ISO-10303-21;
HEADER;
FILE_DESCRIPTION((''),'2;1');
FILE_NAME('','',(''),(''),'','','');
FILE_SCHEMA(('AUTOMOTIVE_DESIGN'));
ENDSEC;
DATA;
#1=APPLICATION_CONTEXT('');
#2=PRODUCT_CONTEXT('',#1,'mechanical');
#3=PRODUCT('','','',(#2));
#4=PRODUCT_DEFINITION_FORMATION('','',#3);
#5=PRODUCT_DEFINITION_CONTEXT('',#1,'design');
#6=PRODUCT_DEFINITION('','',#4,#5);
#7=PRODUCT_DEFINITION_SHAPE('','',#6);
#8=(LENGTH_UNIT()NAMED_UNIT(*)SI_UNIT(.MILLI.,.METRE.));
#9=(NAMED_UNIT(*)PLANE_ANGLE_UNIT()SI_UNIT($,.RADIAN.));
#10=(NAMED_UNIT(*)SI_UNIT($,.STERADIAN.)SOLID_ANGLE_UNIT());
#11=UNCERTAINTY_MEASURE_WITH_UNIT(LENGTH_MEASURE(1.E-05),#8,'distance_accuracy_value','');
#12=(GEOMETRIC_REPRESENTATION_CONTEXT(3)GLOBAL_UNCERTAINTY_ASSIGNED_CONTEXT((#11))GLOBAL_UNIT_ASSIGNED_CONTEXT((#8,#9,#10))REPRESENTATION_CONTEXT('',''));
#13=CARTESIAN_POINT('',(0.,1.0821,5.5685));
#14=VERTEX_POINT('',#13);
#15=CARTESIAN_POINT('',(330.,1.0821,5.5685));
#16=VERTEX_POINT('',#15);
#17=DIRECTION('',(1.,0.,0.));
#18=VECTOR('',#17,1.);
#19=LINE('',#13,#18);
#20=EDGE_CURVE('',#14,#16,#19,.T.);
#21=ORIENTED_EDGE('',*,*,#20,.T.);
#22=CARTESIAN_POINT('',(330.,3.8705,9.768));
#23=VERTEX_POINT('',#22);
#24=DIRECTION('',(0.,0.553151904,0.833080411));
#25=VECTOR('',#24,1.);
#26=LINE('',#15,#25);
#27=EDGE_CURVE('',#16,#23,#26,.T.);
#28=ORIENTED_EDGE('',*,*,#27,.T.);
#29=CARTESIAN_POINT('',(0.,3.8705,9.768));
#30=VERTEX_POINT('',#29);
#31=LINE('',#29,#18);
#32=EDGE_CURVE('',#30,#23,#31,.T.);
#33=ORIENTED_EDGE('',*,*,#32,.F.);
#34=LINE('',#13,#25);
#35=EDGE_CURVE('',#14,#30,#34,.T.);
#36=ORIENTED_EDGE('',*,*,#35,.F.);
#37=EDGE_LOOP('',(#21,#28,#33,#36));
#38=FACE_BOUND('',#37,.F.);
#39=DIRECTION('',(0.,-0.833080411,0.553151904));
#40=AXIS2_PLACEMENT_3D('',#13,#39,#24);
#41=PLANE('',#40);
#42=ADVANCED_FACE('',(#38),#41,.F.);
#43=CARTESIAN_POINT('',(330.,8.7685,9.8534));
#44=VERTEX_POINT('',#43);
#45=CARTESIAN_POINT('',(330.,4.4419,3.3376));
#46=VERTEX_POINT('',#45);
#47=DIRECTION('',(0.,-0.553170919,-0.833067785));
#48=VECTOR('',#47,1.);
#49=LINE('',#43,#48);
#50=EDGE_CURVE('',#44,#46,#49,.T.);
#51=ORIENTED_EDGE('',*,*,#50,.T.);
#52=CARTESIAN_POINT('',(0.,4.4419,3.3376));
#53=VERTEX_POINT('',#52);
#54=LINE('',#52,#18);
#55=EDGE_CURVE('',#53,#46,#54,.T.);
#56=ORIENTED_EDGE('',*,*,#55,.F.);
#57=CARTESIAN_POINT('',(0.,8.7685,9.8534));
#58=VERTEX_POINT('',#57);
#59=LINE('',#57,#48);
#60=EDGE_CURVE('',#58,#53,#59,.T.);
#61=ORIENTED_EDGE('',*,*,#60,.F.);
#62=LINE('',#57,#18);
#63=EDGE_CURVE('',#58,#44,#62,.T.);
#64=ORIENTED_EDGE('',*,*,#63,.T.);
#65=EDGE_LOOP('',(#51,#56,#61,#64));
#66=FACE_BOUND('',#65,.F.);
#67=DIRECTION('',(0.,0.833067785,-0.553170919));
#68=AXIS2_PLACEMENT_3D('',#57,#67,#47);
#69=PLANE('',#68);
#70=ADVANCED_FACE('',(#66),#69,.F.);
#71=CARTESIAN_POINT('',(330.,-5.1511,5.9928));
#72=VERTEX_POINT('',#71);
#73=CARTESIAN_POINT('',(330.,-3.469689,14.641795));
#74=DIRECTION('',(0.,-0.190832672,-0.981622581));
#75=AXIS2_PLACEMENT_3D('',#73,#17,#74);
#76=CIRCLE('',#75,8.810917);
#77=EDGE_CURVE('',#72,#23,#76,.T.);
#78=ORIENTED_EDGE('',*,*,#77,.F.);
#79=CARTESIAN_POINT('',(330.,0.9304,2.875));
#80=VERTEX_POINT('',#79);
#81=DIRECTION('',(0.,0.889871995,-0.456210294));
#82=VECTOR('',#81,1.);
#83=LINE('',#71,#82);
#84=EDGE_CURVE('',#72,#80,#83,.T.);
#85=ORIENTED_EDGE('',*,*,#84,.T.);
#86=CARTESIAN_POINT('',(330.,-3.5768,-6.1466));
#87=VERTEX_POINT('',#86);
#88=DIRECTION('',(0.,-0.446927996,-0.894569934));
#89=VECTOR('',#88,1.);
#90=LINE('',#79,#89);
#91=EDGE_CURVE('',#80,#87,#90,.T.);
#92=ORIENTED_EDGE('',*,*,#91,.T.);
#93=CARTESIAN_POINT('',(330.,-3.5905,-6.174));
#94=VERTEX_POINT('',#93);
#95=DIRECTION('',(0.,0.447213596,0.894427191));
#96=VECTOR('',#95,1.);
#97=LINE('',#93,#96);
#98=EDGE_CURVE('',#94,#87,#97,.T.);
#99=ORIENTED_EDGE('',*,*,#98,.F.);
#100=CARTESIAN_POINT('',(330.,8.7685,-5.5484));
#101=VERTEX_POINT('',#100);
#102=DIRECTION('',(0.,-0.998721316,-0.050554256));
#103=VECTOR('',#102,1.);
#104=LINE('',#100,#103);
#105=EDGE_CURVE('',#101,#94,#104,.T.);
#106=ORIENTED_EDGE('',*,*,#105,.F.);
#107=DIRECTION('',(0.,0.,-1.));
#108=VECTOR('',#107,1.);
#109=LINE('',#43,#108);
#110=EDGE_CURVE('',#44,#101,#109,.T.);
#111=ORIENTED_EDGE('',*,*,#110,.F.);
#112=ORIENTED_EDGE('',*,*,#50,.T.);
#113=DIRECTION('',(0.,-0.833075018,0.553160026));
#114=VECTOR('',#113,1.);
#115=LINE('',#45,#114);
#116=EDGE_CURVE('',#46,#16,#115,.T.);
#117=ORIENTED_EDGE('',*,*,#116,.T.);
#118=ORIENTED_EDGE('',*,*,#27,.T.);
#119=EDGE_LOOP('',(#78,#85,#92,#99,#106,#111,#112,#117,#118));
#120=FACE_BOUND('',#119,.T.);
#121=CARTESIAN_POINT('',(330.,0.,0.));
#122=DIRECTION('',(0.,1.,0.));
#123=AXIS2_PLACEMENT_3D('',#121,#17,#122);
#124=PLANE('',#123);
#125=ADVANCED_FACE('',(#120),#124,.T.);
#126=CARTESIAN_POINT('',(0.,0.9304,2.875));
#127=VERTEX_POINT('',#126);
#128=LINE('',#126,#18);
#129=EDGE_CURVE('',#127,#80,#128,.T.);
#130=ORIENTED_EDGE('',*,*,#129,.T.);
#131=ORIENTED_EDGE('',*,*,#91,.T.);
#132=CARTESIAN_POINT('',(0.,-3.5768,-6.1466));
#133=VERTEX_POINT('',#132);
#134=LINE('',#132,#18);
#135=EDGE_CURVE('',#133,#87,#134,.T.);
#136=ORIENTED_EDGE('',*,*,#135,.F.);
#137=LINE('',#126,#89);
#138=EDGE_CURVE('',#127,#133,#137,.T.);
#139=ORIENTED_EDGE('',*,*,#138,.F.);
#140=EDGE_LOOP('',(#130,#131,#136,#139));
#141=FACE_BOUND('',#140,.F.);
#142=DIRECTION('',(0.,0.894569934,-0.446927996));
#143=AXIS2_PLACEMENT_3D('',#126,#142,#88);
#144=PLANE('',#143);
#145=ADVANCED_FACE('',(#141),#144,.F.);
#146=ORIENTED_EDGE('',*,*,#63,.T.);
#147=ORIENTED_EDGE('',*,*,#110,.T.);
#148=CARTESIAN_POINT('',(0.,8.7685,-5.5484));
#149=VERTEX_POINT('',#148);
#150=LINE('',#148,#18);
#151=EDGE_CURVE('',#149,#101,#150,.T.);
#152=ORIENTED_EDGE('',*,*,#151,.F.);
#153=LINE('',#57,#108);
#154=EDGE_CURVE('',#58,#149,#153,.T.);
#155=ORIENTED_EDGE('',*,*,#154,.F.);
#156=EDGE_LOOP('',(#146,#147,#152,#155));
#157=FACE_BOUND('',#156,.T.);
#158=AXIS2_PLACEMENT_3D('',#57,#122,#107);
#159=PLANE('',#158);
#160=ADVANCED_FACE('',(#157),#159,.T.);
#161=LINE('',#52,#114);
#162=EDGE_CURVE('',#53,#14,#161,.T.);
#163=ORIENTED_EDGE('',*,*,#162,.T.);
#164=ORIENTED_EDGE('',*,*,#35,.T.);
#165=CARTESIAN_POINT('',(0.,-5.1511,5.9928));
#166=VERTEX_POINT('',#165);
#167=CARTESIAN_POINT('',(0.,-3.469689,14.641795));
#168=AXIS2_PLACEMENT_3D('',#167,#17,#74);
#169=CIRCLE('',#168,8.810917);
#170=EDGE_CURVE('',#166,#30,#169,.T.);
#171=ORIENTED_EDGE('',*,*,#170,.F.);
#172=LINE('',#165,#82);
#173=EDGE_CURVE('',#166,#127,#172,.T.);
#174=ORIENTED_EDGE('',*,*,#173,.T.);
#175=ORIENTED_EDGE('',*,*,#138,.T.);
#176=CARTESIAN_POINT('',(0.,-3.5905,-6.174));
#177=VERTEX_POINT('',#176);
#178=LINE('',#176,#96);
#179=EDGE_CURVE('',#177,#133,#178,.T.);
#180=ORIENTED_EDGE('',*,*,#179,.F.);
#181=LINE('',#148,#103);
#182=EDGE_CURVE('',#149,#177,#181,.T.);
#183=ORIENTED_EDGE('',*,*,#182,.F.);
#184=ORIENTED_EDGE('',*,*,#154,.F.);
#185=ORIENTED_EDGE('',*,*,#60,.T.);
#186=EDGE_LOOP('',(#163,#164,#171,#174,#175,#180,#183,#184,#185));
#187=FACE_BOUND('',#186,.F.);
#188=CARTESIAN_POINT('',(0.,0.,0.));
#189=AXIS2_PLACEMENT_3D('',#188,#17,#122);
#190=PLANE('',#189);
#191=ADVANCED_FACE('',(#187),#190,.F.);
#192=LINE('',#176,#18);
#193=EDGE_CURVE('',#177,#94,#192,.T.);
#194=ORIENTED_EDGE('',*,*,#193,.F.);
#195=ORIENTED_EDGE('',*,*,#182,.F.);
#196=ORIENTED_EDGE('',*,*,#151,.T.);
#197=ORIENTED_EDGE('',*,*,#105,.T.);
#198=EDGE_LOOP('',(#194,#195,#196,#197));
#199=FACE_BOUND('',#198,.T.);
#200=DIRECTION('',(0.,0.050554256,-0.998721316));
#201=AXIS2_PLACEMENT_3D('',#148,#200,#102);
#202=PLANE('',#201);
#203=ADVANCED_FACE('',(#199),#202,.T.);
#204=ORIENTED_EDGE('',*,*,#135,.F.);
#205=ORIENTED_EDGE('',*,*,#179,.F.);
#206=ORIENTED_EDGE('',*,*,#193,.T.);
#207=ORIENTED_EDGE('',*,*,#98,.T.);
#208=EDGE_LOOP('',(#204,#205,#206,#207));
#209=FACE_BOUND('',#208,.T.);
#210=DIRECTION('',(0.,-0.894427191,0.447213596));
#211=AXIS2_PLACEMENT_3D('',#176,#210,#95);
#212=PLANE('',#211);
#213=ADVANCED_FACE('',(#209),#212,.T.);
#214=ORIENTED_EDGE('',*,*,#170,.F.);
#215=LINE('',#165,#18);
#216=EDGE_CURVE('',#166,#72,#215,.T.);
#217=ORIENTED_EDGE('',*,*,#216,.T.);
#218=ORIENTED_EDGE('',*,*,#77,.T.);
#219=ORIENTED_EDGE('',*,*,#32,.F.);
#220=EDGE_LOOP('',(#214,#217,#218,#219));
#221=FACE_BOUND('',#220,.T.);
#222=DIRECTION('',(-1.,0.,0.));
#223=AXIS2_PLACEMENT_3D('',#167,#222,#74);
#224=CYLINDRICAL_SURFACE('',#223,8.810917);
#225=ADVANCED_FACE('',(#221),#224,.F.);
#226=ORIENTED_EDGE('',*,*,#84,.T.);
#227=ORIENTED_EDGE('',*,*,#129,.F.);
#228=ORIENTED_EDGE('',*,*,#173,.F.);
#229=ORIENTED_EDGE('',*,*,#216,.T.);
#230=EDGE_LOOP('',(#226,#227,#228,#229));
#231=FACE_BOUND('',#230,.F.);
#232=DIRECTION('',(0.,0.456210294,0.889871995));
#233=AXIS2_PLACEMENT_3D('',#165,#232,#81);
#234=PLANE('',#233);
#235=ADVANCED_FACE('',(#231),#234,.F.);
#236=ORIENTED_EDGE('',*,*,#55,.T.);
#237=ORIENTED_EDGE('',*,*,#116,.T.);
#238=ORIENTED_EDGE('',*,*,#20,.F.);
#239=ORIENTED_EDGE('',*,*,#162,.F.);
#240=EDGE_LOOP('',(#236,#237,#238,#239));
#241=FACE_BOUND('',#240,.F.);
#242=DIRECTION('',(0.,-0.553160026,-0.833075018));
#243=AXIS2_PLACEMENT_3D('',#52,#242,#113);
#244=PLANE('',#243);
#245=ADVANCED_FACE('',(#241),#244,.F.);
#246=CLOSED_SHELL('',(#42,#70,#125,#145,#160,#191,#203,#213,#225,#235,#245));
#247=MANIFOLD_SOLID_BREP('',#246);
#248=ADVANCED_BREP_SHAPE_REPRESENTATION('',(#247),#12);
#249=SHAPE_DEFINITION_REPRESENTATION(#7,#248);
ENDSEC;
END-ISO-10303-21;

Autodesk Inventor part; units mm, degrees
ref_plane "YZ Plane" through (0, 0, 0) normal (1, 0, 0) x (0, 1, 0)
ref_plane "XZ Plane" through (0, 0, 0) normal (0, 1, 0) x (-1, 0, 0)
ref_plane "XY Plane" through (0, 0, 0) normal (0, 0, 1) x (1, 0, 0)
sketch "Esboço1" plane through (0, 0, 0) normal (1, 0, 0) x (0, 1, 0)
  line L0 (8.7685, 9.8534) -> (4.4419, 3.3376)
  line L1 (4.4419, 3.3376) -> (1.0821, 5.5685)
  line L2 (1.0821, 5.5685) -> (3.8705, 9.768)
  line L3 (-5.1511, 5.9928) -> (0.9304, 2.875)
  line L4 (0.9304, 2.875) -> (-3.5768, -6.1466)
  line L5 (8.7685, 9.8534) -> (8.7685, -5.5484)
  line L6 (8.7685, -5.5484) -> (-3.5905, -6.174)
  line L7 (-3.5905, -6.174) -> (-3.5768, -6.1466)
  arc A0 (-5.1511, 5.9928) -> (3.8705, 9.768) centre (-3.4697, 14.6419) ccw
extrude "Extrusão1" add sketch "Esboço1" along normal blind 330
properties part number "juncao tela - som"
